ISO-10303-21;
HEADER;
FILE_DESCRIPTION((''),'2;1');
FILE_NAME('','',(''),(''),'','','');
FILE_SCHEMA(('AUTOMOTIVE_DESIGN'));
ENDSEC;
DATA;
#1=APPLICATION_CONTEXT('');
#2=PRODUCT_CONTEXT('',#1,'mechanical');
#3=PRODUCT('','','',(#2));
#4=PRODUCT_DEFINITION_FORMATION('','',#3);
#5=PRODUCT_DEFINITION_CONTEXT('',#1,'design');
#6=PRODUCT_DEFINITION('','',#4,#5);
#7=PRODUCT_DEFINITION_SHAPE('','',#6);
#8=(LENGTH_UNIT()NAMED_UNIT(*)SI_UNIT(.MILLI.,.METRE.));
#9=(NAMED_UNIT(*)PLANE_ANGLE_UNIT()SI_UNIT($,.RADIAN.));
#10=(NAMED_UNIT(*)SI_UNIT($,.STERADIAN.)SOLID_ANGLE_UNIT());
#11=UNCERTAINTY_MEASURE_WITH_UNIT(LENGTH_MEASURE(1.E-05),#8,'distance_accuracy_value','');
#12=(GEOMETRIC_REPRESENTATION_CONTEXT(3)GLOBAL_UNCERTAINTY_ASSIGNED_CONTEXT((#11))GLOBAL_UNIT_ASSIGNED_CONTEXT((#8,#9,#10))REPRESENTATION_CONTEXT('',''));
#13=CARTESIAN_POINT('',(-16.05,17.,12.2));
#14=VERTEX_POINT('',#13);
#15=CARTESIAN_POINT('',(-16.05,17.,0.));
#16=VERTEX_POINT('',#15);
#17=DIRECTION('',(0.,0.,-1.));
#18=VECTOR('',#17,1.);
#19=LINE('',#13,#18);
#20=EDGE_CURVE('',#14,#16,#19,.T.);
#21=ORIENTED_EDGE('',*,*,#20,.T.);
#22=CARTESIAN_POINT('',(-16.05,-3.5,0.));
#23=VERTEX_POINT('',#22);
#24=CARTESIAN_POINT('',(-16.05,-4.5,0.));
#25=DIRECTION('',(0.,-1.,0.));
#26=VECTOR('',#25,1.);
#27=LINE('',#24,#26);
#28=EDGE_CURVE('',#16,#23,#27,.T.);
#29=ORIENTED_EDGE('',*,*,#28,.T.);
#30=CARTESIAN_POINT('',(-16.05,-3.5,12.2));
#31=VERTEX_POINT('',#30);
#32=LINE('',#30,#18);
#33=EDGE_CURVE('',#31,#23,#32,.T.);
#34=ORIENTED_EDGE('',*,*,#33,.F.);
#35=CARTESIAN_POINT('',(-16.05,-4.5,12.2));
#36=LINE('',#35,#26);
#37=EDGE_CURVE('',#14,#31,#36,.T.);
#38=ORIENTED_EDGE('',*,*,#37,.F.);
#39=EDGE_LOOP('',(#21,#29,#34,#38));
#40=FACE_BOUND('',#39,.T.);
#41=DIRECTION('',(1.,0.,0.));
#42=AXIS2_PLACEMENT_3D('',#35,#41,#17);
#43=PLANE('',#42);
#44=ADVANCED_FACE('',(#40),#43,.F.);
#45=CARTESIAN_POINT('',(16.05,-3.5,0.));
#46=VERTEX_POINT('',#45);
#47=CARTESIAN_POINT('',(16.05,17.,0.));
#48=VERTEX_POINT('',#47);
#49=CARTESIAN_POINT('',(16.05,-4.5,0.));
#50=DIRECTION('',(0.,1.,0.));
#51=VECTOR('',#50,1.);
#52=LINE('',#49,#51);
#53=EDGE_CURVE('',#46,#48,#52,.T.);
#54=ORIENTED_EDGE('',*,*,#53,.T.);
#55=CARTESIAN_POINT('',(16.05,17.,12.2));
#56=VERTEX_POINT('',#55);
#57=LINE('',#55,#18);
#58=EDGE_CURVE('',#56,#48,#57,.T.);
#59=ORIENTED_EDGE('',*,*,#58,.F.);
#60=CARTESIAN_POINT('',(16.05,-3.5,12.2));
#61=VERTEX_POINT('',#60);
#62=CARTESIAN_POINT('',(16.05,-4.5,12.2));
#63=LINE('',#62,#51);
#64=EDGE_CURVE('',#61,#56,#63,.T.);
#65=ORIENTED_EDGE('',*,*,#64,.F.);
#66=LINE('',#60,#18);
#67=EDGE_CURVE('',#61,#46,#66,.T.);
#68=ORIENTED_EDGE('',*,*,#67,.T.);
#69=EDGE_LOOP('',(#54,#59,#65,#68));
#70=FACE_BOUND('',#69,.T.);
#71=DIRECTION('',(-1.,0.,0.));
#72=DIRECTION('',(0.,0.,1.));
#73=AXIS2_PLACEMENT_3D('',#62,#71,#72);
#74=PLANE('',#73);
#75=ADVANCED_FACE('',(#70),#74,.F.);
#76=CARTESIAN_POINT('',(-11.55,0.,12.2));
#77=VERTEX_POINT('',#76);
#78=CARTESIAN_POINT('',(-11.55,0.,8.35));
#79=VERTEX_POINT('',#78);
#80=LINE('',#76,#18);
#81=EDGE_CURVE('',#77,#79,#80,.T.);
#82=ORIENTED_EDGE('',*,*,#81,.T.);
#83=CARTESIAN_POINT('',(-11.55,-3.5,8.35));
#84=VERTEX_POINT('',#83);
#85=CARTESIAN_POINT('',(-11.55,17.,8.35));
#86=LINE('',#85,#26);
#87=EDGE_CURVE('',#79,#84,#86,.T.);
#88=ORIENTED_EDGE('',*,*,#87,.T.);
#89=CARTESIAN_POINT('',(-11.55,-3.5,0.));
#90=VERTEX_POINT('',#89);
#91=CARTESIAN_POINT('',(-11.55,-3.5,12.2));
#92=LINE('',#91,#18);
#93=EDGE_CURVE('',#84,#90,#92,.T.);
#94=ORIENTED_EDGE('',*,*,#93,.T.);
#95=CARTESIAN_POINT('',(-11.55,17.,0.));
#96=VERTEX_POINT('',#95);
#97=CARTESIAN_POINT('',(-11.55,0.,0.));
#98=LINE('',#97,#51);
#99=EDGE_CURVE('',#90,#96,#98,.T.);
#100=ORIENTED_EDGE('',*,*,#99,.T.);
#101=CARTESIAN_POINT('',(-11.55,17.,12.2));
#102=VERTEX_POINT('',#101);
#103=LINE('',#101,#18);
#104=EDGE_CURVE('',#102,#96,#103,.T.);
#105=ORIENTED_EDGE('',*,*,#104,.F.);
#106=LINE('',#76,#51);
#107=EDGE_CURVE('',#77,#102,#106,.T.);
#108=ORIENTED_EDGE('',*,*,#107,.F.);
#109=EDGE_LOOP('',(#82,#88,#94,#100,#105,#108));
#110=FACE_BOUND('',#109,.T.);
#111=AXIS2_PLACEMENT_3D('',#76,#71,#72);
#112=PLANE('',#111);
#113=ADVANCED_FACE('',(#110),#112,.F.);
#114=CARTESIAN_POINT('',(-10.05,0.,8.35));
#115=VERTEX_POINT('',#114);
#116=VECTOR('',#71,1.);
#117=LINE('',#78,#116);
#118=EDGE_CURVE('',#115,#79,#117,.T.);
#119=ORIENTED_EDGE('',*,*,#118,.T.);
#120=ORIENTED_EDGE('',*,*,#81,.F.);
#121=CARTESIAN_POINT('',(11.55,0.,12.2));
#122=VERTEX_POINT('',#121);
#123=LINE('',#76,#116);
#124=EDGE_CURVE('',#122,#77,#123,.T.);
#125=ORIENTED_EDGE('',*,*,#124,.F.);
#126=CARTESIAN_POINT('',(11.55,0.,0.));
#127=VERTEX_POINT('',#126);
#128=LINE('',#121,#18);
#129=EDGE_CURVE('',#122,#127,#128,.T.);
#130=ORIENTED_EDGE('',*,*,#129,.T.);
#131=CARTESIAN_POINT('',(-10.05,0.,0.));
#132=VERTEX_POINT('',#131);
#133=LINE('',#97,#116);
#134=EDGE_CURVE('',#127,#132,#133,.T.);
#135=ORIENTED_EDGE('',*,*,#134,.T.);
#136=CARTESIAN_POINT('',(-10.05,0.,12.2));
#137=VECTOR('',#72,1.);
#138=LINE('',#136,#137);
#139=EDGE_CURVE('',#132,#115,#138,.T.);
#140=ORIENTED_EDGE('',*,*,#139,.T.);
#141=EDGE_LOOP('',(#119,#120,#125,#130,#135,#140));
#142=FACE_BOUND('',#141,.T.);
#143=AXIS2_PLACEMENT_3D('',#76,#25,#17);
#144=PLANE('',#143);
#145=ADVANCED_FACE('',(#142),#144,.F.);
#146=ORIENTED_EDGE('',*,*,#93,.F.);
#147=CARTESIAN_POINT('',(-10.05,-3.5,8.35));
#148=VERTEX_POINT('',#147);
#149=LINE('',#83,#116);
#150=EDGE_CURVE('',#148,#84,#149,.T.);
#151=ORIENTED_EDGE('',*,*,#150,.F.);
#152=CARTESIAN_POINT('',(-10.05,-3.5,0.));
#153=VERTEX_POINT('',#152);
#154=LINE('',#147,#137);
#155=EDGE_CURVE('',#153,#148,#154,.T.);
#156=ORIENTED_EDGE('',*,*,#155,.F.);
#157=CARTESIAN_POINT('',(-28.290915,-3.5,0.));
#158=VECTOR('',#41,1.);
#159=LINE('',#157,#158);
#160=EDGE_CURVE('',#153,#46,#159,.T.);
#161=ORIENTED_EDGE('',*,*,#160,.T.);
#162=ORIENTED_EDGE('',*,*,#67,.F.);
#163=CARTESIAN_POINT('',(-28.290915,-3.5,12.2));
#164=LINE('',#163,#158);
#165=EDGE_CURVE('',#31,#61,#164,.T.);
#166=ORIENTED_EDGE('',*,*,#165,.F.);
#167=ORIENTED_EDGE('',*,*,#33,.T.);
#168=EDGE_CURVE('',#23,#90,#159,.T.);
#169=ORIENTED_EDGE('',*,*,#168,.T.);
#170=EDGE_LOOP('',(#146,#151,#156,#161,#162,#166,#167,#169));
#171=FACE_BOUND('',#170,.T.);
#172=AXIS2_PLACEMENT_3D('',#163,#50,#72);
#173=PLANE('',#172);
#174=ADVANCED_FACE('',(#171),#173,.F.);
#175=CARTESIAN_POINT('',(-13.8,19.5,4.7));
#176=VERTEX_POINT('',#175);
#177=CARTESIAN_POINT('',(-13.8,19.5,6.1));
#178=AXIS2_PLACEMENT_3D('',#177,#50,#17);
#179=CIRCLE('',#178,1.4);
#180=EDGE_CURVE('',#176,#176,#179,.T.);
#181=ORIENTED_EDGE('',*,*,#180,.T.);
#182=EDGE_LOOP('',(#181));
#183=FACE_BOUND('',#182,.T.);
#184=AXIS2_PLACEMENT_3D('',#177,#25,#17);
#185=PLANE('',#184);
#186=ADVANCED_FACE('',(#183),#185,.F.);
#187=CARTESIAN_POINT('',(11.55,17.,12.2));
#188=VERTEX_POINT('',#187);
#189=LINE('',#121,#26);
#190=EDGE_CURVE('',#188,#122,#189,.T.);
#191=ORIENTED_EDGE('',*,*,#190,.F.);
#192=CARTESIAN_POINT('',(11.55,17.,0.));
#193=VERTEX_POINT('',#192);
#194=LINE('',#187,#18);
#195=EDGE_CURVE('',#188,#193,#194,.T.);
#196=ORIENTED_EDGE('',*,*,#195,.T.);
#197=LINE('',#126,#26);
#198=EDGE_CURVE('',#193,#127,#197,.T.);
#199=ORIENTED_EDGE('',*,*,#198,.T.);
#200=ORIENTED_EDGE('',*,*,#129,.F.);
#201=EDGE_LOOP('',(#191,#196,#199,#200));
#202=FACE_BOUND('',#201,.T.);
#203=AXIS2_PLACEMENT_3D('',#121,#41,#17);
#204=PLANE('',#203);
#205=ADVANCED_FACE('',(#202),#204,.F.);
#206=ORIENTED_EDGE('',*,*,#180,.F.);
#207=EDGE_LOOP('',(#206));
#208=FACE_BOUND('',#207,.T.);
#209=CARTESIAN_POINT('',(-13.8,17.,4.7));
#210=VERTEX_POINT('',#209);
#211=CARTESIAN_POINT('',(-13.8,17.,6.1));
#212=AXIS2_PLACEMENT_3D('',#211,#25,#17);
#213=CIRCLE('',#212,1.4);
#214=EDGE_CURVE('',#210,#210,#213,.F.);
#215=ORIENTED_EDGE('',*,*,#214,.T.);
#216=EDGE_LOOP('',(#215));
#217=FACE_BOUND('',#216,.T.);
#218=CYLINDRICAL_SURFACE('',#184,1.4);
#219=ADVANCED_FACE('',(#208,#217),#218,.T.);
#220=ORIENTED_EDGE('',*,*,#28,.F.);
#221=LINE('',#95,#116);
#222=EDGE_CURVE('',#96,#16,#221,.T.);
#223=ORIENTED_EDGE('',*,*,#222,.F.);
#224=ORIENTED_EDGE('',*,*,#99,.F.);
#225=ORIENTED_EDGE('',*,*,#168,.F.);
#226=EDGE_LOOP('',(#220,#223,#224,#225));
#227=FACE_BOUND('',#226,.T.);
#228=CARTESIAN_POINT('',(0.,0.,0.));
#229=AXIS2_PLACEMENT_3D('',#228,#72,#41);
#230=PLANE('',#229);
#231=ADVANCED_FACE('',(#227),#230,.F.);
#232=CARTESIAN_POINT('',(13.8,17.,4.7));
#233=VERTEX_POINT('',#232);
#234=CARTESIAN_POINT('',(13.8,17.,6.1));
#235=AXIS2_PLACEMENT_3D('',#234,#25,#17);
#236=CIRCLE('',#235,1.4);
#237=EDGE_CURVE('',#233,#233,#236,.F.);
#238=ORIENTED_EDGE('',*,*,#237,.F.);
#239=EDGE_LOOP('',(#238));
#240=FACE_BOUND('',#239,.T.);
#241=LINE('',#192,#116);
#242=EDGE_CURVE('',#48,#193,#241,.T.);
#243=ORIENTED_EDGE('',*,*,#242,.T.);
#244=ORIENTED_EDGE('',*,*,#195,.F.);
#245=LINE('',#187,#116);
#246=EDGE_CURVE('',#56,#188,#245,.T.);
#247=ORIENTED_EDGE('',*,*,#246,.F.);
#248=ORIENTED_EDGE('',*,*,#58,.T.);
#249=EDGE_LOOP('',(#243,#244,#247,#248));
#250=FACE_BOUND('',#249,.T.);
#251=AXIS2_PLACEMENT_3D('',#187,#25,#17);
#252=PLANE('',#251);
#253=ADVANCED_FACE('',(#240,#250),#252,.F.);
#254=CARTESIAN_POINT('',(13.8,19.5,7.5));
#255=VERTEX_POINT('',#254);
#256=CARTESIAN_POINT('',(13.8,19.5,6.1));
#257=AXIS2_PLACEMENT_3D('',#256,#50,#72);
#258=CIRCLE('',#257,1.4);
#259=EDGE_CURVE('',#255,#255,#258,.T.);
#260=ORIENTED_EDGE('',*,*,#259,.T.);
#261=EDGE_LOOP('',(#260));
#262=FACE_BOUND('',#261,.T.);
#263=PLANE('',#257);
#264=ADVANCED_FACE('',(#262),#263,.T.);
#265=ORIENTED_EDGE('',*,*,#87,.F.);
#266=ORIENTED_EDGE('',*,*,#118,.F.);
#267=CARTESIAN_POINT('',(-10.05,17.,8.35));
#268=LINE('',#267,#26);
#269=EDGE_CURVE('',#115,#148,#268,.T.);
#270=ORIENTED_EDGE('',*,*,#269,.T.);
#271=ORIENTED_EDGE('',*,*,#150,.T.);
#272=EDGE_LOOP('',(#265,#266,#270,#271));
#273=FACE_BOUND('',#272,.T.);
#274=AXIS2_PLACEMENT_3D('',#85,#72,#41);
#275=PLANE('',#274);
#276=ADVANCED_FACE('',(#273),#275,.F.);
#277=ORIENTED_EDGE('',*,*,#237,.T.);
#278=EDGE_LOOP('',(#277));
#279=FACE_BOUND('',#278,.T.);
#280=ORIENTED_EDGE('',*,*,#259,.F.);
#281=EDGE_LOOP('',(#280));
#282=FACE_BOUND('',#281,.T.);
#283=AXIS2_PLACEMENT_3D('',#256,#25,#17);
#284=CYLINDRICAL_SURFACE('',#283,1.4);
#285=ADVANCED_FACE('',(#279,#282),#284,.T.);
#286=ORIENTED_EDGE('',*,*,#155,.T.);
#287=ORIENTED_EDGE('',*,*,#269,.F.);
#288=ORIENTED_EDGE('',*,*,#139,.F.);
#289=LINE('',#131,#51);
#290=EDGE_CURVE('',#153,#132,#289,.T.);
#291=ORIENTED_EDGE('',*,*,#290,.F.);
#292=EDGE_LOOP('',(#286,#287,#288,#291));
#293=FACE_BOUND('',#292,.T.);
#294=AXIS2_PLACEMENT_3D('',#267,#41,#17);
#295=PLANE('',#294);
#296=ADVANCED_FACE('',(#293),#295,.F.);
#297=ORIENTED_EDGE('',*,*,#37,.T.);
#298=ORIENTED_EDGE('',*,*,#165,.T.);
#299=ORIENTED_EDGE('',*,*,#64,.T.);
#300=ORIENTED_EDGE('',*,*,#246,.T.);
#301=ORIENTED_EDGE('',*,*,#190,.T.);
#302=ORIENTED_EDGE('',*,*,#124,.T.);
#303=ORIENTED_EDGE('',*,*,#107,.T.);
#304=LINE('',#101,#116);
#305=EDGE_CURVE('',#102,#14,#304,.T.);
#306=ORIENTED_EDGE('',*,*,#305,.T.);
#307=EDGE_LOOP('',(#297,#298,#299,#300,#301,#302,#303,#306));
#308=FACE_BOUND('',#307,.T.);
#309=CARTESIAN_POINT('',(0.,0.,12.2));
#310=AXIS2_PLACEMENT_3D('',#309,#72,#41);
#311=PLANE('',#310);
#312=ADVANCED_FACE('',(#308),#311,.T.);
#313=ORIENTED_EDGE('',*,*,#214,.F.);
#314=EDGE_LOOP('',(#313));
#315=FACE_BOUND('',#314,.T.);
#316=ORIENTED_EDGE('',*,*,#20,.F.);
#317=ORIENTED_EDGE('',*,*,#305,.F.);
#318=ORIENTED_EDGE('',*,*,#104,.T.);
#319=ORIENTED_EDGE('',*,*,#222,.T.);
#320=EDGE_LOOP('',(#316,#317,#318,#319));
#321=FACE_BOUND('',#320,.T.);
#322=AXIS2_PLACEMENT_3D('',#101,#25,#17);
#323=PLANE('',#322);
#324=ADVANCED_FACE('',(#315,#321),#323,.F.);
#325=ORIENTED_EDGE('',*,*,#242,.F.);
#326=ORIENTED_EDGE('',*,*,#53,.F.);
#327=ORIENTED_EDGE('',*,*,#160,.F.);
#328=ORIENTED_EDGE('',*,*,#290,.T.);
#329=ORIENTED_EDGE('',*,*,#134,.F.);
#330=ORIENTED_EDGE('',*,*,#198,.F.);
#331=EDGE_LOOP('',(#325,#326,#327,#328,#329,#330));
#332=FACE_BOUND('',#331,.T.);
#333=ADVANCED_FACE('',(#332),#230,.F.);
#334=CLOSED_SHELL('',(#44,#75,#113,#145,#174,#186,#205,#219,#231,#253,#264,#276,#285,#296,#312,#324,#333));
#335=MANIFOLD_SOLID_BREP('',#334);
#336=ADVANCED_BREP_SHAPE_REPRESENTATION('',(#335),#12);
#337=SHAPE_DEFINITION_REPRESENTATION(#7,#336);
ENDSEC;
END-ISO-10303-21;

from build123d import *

# Parameters (mm, degrees)
EXTRUDE_2_DEPTH          = 12.2
SKETCH_5_W               = 1.5
SKETCH_5_H               = 8.35
CUT_EXTRUDE_1_DEPTH      = 22.5
SKETCH_6_R               = 1.4
EXTRUDE_3_DEPTH          = 2.5
SKETCH_7_W               = 12.2
SKETCH_7_H               = 1
CUT_EXTRUDE_2_DEPTH      = 1
CUT_EXTRUDE_2_DEPTH_BACK = 32.1


with BuildPart() as part:
    # 草图4 → 凸台-拉伸2 (new body)
    with BuildSketch(Plane.XY):
        Polygon((-11.55, 0), (11.55, 0), (11.55, 17), (16.05, 17), (16.05, -4.5), (-16.05, -4.5), (-16.05, 17), (-11.55, 17), align=None)
    extrude(amount=EXTRUDE_2_DEPTH)

    # 草图5 → 切除-拉伸1 (cut, through all)
    with BuildSketch(Plane.XZ.offset(4.5)):
        with Locations((-10.8, 4.175)):
            Rectangle(SKETCH_5_W, SKETCH_5_H)
    extrude(amount=-CUT_EXTRUDE_1_DEPTH, mode=Mode.SUBTRACT)

    # 草图6 → 凸台-拉伸3 (add)
    with BuildSketch(Plane(origin=(0, 17, 0), x_dir=(1, 0, 0), z_dir=(0, 1, 0))):
        with Locations((13.8, -6.1)):
            Circle(SKETCH_6_R)
        with Locations((-13.8, -6.1)):
            Circle(SKETCH_6_R)
    extrude(amount=EXTRUDE_3_DEPTH)

    # 草图7 → 切除-拉伸2 (cut, two sides)
    with BuildSketch(Plane(origin=(16.05, 0, 0), x_dir=(0, 0, -1), z_dir=(1, 0, 0))) as cut_extrude_2_sk:
        with Locations((-6.1, -4)):
            Rectangle(SKETCH_7_W, SKETCH_7_H)
    extrude(amount=CUT_EXTRUDE_2_DEPTH, mode=Mode.SUBTRACT)
    extrude(cut_extrude_2_sk.sketch, amount=-CUT_EXTRUDE_2_DEPTH_BACK, mode=Mode.SUBTRACT)


solid = part.part
